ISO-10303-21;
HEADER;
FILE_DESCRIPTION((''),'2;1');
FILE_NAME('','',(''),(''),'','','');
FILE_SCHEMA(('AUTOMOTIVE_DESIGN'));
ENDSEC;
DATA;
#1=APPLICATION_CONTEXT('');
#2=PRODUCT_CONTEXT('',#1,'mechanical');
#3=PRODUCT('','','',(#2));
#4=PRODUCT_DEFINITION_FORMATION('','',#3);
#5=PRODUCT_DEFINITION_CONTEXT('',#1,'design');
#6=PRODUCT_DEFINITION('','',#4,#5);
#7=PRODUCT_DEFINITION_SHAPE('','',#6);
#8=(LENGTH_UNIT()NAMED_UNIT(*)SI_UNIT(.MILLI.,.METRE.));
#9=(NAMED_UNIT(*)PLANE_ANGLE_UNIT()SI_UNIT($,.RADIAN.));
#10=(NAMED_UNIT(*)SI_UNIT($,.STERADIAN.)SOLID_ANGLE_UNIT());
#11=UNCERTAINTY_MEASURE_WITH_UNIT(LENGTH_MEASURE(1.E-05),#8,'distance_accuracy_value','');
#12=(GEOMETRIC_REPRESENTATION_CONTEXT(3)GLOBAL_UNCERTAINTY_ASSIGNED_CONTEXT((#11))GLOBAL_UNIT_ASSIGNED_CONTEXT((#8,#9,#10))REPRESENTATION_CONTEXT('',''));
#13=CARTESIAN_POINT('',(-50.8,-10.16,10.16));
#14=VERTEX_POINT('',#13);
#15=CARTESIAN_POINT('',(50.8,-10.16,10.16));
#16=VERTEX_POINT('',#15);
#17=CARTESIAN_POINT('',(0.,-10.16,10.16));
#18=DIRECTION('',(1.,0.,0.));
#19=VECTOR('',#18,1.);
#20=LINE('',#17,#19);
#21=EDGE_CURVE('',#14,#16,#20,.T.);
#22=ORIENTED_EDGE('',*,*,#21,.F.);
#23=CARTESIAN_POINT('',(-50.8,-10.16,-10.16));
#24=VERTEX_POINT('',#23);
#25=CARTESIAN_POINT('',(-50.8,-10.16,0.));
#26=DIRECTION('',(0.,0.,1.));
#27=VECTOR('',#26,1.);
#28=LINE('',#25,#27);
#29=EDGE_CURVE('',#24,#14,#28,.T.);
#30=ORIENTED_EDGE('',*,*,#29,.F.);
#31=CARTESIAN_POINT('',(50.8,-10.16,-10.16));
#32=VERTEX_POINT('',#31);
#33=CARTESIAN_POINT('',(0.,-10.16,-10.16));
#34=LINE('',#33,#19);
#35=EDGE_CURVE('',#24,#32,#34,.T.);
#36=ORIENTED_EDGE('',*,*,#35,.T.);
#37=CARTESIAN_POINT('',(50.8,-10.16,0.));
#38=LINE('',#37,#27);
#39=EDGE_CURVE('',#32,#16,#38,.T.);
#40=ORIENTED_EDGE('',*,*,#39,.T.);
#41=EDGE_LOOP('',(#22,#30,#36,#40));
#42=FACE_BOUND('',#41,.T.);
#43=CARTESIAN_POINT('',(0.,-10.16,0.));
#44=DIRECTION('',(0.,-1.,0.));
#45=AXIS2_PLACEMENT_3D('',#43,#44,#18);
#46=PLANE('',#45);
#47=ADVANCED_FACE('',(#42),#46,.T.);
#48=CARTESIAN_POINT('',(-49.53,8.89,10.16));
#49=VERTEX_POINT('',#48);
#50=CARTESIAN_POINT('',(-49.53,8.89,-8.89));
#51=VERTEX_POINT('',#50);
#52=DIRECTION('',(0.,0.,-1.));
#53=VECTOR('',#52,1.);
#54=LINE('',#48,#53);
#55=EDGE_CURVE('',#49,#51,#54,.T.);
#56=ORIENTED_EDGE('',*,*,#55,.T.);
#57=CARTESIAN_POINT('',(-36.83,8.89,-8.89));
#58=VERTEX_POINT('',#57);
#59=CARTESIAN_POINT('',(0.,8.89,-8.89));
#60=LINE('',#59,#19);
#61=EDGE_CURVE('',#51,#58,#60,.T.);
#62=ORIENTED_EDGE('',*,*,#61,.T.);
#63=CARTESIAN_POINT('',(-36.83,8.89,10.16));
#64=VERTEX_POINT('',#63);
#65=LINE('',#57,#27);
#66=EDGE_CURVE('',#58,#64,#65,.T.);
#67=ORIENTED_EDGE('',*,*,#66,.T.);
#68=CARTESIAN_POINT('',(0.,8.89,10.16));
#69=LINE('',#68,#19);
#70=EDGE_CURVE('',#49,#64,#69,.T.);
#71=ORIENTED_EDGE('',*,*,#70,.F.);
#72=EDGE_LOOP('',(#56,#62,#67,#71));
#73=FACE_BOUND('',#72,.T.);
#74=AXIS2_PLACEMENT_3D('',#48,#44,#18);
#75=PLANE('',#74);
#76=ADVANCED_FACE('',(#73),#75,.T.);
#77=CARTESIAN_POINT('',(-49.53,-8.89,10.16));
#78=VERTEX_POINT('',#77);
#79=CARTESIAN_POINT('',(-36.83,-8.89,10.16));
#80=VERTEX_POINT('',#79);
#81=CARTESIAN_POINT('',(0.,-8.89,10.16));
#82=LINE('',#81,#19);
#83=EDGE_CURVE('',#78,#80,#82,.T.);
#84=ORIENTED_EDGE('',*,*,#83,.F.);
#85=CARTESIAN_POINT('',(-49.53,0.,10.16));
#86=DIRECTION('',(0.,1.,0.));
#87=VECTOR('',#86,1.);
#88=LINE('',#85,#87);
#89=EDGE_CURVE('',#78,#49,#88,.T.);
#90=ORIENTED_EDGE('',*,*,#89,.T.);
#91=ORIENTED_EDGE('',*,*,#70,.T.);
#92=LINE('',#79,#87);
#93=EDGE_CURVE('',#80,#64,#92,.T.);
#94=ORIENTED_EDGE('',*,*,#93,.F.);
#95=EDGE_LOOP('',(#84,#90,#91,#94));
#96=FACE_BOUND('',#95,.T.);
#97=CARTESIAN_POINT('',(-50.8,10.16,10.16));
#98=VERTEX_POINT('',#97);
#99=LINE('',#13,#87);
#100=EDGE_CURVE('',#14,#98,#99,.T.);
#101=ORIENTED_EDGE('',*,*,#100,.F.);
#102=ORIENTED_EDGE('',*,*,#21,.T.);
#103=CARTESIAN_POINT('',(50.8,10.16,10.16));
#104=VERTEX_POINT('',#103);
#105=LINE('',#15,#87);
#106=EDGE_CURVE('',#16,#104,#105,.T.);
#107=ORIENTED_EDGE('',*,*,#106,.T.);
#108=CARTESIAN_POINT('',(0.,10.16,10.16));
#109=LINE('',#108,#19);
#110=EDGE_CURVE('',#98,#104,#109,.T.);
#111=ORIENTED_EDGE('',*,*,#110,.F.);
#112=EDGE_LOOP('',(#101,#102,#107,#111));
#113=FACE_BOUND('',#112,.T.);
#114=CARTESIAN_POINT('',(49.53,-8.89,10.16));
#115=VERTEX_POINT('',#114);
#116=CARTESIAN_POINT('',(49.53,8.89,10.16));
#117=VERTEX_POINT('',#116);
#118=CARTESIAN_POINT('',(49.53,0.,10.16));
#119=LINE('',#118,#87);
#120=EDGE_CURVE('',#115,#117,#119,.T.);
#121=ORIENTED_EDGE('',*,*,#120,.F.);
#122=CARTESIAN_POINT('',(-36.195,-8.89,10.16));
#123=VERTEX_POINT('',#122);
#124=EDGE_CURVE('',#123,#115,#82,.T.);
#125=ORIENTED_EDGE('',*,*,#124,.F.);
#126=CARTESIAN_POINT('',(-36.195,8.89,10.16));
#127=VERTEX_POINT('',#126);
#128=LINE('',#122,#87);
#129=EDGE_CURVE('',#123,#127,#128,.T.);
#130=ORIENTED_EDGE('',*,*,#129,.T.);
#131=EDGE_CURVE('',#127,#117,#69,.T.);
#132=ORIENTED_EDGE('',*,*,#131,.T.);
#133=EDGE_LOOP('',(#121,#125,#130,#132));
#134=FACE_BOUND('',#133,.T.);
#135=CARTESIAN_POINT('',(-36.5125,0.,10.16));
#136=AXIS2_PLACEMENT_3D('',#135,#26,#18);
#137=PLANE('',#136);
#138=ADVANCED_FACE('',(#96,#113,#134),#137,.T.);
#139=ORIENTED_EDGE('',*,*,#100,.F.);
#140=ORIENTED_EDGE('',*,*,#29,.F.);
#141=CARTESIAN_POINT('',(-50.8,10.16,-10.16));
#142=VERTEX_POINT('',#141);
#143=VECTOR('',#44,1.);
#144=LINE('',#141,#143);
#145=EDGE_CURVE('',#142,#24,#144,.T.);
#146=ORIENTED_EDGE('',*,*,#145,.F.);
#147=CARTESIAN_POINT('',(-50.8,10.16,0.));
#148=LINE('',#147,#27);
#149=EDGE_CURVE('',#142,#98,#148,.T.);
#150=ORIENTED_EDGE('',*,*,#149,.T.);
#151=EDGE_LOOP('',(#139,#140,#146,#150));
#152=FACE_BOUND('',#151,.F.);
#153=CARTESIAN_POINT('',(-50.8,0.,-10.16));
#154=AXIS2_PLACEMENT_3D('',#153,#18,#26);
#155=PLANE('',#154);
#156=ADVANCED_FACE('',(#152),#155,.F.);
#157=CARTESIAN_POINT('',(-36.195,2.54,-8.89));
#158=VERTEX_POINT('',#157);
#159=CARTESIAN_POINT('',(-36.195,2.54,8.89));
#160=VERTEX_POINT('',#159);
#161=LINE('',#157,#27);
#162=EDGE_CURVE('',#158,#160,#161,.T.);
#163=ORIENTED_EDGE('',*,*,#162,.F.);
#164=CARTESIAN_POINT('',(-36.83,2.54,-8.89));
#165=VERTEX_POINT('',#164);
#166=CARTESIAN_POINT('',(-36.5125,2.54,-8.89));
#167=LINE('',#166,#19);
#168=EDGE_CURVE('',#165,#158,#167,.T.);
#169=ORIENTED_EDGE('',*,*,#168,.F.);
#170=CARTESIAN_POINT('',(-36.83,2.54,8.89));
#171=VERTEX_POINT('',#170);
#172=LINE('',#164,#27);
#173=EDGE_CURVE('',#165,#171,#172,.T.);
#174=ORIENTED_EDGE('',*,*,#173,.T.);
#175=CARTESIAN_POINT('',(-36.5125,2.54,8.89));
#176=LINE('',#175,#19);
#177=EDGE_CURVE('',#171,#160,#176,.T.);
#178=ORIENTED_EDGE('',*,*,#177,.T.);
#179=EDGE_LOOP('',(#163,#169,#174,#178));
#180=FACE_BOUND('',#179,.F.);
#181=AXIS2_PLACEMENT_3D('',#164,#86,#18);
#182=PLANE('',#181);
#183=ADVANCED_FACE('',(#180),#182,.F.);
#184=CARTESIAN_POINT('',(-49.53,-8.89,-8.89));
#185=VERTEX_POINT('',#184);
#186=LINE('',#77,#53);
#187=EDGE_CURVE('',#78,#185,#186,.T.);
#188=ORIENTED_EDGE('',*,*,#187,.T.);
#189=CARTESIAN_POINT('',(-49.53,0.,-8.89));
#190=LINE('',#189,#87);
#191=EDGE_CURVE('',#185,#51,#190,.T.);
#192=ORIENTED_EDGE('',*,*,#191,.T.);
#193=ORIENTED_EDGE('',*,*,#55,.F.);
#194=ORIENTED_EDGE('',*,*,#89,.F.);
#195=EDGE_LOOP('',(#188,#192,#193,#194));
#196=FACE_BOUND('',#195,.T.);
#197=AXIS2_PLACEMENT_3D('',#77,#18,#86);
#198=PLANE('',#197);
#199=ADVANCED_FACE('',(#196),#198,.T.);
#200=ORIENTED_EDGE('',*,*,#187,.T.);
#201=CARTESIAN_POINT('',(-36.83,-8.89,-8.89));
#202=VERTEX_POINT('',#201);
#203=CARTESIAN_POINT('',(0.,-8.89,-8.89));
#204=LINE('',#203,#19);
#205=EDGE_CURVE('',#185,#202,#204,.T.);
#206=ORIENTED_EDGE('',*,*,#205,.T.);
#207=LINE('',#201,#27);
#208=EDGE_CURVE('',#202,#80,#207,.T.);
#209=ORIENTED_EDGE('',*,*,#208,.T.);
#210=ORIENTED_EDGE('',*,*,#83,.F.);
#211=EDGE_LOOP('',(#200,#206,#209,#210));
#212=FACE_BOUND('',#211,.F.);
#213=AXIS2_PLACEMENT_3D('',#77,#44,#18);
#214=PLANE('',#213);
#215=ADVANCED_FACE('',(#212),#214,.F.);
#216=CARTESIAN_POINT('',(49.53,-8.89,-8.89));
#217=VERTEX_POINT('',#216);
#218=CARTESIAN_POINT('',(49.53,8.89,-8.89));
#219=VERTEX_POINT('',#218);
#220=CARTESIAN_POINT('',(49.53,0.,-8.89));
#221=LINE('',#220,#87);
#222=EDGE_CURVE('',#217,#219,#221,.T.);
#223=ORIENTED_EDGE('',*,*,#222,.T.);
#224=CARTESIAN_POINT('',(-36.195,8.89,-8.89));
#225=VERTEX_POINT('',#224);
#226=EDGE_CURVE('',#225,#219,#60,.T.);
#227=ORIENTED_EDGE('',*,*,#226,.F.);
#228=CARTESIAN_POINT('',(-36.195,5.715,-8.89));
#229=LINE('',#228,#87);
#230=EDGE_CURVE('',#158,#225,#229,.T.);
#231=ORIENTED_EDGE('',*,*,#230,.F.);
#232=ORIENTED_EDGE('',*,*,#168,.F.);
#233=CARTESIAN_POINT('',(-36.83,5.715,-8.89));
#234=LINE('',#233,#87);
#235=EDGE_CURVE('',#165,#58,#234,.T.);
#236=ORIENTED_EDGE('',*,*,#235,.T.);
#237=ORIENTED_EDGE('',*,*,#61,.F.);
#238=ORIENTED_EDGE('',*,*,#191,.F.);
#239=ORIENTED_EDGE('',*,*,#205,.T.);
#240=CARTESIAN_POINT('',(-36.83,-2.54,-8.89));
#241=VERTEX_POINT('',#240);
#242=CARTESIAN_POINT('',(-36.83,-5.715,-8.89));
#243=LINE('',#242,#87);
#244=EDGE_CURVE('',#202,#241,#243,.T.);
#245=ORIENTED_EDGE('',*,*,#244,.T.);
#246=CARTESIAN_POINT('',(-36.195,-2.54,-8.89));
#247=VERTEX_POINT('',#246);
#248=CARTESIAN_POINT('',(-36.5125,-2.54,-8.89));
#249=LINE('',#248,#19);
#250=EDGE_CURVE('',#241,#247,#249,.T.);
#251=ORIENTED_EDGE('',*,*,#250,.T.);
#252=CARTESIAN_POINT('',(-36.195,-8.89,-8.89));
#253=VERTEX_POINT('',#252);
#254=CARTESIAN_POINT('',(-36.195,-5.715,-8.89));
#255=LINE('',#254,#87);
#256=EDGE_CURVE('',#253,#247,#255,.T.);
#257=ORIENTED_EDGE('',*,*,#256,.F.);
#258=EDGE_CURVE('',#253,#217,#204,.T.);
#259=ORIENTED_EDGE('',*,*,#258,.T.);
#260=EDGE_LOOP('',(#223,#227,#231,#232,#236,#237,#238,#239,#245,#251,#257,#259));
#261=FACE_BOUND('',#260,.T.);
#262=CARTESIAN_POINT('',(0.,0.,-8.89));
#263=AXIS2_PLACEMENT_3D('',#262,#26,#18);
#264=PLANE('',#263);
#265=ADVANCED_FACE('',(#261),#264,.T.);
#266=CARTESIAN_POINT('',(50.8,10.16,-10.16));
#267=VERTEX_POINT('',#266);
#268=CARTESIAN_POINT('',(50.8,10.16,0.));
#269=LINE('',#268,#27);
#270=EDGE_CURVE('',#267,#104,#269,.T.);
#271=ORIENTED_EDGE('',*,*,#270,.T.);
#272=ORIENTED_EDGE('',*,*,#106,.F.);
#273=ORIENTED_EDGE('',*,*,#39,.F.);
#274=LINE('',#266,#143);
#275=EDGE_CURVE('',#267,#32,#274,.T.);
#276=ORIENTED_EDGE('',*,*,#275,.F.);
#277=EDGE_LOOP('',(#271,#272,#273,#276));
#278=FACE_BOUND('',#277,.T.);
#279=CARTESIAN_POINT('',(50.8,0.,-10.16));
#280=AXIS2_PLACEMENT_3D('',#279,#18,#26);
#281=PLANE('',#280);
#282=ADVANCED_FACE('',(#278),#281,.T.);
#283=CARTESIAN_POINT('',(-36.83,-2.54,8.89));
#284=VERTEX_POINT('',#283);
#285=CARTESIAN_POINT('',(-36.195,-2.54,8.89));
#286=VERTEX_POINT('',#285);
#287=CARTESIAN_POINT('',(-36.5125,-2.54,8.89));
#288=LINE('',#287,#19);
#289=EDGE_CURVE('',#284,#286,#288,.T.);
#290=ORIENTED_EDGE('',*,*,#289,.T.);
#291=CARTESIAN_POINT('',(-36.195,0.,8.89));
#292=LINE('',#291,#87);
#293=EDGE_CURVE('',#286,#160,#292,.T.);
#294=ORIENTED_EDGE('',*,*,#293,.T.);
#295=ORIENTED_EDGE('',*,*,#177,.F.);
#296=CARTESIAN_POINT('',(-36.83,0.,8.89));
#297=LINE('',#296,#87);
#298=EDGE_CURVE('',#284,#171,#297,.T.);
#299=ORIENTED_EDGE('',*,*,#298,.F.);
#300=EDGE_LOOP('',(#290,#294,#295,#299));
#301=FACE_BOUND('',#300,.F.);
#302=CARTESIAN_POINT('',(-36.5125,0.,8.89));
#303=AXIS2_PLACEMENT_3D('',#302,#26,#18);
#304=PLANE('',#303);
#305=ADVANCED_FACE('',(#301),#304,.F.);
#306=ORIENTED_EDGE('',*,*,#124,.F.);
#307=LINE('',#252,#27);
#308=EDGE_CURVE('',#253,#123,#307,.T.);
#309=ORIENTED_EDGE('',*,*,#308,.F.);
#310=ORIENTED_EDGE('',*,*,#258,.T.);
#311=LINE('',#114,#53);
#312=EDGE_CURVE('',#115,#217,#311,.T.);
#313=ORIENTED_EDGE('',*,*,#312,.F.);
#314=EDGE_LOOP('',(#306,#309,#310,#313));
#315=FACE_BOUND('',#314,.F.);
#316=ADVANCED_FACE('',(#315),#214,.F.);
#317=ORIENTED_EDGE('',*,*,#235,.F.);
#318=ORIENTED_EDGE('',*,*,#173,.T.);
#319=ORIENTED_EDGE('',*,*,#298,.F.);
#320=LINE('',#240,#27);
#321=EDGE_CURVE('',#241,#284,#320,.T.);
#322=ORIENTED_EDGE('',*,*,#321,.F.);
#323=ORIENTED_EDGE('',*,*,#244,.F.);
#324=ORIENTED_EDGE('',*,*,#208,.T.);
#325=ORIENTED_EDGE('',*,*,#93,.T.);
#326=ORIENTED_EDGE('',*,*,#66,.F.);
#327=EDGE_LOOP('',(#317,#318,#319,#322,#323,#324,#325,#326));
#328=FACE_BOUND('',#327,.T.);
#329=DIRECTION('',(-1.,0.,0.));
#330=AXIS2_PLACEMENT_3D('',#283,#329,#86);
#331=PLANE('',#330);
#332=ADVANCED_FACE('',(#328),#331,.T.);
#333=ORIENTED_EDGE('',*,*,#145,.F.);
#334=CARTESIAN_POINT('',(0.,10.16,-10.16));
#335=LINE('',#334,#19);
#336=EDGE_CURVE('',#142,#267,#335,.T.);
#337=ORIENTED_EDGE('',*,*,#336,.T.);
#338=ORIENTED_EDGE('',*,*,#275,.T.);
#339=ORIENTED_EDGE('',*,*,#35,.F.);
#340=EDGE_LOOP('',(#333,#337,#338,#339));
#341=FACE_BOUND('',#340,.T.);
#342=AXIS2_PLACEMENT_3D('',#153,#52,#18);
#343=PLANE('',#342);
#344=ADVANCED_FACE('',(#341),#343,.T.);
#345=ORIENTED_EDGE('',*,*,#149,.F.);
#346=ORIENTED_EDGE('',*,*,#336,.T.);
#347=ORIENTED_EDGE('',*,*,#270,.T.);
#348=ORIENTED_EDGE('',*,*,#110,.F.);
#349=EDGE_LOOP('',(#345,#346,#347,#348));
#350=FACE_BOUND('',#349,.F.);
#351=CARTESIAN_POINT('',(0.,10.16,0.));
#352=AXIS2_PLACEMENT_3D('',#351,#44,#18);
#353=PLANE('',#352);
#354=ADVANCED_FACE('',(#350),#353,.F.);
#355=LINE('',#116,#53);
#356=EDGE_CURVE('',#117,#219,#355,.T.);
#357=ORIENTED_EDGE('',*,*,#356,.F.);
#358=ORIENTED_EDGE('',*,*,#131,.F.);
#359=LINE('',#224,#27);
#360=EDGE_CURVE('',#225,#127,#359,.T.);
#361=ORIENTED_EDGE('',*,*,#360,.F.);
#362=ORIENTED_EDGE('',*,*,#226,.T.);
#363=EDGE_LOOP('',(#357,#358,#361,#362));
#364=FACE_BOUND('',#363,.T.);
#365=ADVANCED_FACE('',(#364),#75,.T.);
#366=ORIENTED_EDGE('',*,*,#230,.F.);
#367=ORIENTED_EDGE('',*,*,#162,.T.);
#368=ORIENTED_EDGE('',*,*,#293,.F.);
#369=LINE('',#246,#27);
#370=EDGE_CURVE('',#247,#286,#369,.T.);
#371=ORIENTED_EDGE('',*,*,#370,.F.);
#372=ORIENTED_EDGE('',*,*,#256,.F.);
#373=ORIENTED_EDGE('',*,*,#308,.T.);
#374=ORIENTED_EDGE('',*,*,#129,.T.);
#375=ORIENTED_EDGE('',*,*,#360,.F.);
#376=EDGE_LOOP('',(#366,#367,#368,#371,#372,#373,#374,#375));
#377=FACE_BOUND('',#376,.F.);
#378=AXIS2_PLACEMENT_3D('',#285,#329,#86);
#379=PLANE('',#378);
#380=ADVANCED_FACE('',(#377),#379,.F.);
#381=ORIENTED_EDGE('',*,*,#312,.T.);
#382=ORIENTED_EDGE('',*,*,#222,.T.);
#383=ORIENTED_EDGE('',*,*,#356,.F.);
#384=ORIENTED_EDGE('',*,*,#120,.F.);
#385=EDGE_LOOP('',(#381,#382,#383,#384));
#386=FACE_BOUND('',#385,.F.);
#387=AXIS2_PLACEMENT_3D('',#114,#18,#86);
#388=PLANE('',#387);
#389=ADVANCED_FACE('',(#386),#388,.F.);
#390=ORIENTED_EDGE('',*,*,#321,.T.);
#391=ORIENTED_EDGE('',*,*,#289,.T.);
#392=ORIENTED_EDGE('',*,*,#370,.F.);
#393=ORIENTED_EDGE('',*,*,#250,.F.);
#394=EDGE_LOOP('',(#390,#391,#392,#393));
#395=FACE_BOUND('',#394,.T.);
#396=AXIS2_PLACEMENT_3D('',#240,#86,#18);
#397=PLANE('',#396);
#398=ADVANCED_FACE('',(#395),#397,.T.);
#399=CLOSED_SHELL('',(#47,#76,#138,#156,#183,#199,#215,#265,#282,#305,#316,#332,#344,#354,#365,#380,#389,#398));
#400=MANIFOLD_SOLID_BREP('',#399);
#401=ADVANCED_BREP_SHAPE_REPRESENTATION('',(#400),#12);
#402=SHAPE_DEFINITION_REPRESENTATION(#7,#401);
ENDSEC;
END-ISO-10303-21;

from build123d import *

# Parameters (mm, degrees)
F0_W          = 101.6
F0_H          = 20.32
F1_DEPTH      = 10.16
F1_DEPTH_BACK = 10.16
F2_W          = 99.06
F2_H          = 17.78
F3_DEPTH      = 19.05
F4_W          = 0.635
F4_H          = 6.35
F5_DEPTH      = 19.05
F6_START      = 17.78
F4_H_2        = 5.08
F6_DEPTH      = 1.27


with BuildPart() as f1:
    # F0 (on Front) → F1 (new body, two sides)
    with BuildSketch(Plane.XZ) as f1_sk:
        Rectangle(F0_W, F0_H)
    extrude(amount=F1_DEPTH)
    extrude(f1_sk.sketch, amount=-F1_DEPTH_BACK)

    # F2 (on face) → F3 (cut)
    with BuildSketch(Plane.XY.offset(10.16)):
        Rectangle(F2_W, F2_H)
    extrude(amount=-F3_DEPTH, mode=Mode.SUBTRACT)

    # F4 (on face) → F5 (join)
    with BuildSketch(Plane.XY.offset(-8.89)):
        with Locations((-36.5125, -5.715)):
            Rectangle(F4_W, F4_H)
        with Locations((-36.5125, 5.715)):
            Rectangle(F4_W, F4_H)
    extrude(amount=F5_DEPTH)

    # F4 (on face) → F6 (join)
    with BuildSketch(Plane.XY.offset(-8.89).offset(F6_START)):
        with Locations((-36.5125, 0)):
            Rectangle(F4_W, F4_H_2)
    extrude(amount=F6_DEPTH)


solid = f1.part
